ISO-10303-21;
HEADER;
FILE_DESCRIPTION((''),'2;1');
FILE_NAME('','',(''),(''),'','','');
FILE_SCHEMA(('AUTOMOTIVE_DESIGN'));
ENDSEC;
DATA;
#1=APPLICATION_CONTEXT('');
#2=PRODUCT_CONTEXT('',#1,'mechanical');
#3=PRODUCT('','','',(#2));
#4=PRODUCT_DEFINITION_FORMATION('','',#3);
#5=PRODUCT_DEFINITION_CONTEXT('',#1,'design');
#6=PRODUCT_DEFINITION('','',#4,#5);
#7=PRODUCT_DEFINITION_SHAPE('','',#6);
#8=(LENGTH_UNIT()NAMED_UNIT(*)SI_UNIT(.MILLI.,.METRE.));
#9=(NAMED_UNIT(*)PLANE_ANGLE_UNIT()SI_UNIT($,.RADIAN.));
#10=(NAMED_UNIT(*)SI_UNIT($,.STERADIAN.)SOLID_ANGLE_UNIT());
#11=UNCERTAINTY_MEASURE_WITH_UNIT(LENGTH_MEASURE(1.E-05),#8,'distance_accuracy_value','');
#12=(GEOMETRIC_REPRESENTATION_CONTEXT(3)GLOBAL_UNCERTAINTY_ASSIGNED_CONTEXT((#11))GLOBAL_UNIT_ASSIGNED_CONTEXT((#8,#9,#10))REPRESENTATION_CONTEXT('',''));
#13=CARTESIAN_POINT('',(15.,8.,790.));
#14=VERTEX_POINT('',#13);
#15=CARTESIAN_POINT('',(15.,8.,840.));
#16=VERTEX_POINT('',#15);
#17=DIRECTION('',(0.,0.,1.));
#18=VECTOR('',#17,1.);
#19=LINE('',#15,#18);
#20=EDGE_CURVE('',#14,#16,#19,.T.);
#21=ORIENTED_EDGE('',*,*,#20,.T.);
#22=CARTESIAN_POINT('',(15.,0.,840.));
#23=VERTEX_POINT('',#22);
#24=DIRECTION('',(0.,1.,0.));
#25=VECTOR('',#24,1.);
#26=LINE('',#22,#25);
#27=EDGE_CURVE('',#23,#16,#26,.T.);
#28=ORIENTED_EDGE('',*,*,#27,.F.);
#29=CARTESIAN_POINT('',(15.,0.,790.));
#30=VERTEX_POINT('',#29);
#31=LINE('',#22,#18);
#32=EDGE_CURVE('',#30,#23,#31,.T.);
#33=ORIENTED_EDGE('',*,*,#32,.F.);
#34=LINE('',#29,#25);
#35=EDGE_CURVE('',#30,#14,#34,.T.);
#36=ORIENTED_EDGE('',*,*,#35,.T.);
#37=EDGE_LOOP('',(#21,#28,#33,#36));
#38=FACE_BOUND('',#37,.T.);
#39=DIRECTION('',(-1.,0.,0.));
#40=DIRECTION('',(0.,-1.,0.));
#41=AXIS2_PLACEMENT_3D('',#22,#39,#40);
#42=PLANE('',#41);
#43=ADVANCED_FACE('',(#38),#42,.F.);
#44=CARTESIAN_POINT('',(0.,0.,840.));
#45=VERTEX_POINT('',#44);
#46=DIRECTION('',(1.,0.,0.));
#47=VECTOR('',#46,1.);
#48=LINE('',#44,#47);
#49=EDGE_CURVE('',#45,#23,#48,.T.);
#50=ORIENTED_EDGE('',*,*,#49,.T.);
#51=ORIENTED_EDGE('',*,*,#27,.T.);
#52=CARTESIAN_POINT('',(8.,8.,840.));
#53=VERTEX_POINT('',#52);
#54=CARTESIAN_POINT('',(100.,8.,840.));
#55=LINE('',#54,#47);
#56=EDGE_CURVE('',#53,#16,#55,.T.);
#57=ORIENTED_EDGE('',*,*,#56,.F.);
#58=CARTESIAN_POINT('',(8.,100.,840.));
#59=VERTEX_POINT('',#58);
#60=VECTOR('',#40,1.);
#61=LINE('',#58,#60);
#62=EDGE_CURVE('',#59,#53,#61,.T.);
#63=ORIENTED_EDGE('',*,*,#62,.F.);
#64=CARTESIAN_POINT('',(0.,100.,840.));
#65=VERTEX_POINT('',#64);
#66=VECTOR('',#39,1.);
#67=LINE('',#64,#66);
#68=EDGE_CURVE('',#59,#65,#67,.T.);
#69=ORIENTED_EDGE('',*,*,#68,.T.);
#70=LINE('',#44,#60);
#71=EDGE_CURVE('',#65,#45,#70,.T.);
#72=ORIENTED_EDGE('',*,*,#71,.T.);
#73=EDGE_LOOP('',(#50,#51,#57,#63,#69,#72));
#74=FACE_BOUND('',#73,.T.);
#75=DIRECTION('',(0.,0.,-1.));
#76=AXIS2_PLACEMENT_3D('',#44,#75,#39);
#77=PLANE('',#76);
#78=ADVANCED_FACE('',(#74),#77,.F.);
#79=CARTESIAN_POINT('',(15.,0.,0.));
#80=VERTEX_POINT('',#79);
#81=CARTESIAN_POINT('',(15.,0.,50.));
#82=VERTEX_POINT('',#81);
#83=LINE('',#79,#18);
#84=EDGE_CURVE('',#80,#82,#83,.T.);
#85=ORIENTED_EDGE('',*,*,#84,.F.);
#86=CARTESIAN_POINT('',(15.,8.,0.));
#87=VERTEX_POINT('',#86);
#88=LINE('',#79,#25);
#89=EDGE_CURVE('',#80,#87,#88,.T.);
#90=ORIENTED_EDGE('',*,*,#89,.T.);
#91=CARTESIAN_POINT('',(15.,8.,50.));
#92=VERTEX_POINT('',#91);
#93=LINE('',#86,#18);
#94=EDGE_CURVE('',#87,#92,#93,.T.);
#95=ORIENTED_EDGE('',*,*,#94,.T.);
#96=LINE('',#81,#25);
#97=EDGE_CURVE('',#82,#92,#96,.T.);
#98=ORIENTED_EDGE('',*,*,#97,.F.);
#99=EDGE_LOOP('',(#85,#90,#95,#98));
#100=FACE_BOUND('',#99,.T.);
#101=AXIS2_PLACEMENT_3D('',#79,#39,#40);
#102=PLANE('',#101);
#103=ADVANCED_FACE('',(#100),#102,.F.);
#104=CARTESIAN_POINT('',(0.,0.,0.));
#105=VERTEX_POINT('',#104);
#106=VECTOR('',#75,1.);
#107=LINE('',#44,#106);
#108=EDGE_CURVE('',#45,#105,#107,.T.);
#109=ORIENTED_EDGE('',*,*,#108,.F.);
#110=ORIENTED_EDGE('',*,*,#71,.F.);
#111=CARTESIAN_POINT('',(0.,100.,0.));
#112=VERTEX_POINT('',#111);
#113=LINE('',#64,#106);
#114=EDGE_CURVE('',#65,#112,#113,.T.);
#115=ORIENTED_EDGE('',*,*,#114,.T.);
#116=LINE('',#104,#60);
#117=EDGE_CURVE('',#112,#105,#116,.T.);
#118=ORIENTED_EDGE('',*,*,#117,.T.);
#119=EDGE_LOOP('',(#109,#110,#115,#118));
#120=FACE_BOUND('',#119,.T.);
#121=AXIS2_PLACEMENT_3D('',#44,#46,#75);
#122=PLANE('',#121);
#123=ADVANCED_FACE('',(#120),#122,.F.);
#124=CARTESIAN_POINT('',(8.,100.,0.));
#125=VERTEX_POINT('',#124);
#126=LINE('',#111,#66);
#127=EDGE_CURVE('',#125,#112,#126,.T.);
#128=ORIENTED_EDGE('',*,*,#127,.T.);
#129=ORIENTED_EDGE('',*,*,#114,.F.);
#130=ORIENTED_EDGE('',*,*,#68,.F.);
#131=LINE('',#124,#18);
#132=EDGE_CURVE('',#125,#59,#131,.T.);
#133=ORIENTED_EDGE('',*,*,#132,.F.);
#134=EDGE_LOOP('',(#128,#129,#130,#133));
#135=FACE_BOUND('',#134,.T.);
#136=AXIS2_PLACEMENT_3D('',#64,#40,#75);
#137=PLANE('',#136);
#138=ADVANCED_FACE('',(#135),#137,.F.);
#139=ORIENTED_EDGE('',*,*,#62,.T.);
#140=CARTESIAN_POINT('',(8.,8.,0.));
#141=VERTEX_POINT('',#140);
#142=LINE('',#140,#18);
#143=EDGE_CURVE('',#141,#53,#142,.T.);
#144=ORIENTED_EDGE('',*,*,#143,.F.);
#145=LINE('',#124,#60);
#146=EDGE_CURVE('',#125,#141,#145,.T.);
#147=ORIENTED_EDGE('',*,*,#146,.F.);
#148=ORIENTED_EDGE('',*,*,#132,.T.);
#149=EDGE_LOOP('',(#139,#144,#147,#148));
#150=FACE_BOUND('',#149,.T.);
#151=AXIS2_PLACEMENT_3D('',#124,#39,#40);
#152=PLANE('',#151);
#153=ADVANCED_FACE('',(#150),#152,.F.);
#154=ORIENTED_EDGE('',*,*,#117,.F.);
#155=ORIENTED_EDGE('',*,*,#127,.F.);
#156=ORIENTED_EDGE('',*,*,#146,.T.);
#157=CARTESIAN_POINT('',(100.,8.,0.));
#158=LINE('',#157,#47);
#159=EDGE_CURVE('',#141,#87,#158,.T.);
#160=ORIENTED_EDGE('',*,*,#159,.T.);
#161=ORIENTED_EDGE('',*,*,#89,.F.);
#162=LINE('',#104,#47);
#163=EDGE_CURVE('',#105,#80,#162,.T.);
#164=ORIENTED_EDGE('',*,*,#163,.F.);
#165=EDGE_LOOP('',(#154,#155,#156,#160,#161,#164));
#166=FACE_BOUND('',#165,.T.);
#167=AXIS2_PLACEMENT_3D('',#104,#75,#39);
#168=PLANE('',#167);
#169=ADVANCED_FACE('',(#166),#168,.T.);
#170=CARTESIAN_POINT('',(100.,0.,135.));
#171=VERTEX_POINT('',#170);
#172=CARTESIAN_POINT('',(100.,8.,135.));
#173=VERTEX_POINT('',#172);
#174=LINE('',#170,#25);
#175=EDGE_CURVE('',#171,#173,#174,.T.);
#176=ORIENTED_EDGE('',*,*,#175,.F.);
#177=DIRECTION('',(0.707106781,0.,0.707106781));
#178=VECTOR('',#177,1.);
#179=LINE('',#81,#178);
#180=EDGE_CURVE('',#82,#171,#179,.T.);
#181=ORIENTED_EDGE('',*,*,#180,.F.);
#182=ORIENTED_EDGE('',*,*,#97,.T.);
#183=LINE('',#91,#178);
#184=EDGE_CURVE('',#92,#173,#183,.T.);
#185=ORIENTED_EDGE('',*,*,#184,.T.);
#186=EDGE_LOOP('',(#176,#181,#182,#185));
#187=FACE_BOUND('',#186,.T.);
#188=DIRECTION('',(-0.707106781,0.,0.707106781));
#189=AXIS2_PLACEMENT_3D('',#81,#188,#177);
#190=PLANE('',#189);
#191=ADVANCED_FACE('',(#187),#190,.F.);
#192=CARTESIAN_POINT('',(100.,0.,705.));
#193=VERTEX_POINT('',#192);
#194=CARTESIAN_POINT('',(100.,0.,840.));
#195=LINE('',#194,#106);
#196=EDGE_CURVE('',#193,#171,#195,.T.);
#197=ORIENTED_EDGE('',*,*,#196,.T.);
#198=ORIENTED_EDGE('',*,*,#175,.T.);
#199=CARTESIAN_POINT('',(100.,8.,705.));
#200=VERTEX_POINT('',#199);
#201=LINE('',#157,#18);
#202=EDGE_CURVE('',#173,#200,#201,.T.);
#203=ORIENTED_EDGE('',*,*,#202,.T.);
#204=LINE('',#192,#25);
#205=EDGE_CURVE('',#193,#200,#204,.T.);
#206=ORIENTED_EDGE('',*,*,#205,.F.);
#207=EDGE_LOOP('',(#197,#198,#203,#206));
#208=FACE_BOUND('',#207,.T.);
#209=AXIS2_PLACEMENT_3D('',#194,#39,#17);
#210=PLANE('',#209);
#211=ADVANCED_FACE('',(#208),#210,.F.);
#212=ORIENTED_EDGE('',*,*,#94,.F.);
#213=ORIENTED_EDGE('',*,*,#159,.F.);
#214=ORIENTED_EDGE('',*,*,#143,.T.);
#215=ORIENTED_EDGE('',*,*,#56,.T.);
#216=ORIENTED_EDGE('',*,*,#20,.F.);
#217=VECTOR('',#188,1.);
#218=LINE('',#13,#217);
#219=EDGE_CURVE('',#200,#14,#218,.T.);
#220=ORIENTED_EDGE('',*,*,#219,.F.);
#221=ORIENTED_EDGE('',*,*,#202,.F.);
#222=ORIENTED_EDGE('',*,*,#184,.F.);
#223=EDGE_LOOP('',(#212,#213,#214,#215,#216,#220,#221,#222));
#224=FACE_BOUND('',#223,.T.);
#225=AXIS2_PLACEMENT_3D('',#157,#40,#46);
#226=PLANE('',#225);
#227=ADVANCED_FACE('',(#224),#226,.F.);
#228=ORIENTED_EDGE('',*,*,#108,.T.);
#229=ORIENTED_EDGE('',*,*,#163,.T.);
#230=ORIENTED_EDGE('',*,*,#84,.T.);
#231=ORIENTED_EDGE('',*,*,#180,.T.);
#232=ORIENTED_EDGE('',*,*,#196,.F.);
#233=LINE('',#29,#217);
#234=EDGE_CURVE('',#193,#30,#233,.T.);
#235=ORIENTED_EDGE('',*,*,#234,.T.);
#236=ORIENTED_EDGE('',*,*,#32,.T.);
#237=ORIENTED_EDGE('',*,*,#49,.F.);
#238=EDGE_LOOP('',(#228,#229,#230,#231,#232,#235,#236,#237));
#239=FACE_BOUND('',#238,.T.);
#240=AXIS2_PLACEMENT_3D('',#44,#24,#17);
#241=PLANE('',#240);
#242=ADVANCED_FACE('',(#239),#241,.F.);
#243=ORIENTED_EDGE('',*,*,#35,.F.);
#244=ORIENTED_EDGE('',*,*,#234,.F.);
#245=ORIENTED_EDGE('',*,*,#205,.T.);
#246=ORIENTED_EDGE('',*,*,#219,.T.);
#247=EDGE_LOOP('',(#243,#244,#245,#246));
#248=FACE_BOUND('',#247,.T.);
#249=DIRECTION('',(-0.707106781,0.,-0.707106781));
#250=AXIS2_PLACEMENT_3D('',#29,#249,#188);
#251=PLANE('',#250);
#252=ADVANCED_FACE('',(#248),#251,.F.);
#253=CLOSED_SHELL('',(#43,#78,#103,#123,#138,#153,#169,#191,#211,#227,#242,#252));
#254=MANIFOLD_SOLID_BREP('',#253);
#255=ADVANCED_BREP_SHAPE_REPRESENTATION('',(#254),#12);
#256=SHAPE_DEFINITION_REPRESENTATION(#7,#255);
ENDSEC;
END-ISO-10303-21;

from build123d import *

# Parameters (mm, degrees)
SKETCH_1_W          = 100
SKETCH_1_H          = 100
EXTRUDE_1_DEPTH     = 840
SKETCH_2_W          = 92
SKETCH_2_H          = 92
CUT_EXTRUDE_1_DEPTH = 852.821577562
CUT_EXTRUDE_3_DEPTH = 851.919502656


with BuildPart() as part:
    # 草图1 → 凸台-拉伸1 (new body)
    with BuildSketch(Plane.XY):
        with Locations((50, 50)):
            Rectangle(SKETCH_1_W, SKETCH_1_H)
    extrude(amount=EXTRUDE_1_DEPTH)

    # 草图2 → 切除-拉伸1 (cut, through all)
    with BuildSketch(Plane.XY.offset(840)):
        with Locations((54, 54)):
            Rectangle(SKETCH_2_W, SKETCH_2_H)
    extrude(amount=-CUT_EXTRUDE_1_DEPTH, mode=Mode.SUBTRACT)

    # 草图4 → 切除-拉伸3 (cut, through all)
    with BuildSketch(Plane(origin=(0, 8, 0), x_dir=(1, 0, 0), z_dir=(0, 1, 0))):
        Polygon((15, 0), (15, -50), (100, -135), (100, 0), align=None)
        Polygon((15, -840), (15, -790), (100, -705), (100, -840), align=None)
    extrude(amount=-CUT_EXTRUDE_3_DEPTH, mode=Mode.SUBTRACT)


solid = part.part
